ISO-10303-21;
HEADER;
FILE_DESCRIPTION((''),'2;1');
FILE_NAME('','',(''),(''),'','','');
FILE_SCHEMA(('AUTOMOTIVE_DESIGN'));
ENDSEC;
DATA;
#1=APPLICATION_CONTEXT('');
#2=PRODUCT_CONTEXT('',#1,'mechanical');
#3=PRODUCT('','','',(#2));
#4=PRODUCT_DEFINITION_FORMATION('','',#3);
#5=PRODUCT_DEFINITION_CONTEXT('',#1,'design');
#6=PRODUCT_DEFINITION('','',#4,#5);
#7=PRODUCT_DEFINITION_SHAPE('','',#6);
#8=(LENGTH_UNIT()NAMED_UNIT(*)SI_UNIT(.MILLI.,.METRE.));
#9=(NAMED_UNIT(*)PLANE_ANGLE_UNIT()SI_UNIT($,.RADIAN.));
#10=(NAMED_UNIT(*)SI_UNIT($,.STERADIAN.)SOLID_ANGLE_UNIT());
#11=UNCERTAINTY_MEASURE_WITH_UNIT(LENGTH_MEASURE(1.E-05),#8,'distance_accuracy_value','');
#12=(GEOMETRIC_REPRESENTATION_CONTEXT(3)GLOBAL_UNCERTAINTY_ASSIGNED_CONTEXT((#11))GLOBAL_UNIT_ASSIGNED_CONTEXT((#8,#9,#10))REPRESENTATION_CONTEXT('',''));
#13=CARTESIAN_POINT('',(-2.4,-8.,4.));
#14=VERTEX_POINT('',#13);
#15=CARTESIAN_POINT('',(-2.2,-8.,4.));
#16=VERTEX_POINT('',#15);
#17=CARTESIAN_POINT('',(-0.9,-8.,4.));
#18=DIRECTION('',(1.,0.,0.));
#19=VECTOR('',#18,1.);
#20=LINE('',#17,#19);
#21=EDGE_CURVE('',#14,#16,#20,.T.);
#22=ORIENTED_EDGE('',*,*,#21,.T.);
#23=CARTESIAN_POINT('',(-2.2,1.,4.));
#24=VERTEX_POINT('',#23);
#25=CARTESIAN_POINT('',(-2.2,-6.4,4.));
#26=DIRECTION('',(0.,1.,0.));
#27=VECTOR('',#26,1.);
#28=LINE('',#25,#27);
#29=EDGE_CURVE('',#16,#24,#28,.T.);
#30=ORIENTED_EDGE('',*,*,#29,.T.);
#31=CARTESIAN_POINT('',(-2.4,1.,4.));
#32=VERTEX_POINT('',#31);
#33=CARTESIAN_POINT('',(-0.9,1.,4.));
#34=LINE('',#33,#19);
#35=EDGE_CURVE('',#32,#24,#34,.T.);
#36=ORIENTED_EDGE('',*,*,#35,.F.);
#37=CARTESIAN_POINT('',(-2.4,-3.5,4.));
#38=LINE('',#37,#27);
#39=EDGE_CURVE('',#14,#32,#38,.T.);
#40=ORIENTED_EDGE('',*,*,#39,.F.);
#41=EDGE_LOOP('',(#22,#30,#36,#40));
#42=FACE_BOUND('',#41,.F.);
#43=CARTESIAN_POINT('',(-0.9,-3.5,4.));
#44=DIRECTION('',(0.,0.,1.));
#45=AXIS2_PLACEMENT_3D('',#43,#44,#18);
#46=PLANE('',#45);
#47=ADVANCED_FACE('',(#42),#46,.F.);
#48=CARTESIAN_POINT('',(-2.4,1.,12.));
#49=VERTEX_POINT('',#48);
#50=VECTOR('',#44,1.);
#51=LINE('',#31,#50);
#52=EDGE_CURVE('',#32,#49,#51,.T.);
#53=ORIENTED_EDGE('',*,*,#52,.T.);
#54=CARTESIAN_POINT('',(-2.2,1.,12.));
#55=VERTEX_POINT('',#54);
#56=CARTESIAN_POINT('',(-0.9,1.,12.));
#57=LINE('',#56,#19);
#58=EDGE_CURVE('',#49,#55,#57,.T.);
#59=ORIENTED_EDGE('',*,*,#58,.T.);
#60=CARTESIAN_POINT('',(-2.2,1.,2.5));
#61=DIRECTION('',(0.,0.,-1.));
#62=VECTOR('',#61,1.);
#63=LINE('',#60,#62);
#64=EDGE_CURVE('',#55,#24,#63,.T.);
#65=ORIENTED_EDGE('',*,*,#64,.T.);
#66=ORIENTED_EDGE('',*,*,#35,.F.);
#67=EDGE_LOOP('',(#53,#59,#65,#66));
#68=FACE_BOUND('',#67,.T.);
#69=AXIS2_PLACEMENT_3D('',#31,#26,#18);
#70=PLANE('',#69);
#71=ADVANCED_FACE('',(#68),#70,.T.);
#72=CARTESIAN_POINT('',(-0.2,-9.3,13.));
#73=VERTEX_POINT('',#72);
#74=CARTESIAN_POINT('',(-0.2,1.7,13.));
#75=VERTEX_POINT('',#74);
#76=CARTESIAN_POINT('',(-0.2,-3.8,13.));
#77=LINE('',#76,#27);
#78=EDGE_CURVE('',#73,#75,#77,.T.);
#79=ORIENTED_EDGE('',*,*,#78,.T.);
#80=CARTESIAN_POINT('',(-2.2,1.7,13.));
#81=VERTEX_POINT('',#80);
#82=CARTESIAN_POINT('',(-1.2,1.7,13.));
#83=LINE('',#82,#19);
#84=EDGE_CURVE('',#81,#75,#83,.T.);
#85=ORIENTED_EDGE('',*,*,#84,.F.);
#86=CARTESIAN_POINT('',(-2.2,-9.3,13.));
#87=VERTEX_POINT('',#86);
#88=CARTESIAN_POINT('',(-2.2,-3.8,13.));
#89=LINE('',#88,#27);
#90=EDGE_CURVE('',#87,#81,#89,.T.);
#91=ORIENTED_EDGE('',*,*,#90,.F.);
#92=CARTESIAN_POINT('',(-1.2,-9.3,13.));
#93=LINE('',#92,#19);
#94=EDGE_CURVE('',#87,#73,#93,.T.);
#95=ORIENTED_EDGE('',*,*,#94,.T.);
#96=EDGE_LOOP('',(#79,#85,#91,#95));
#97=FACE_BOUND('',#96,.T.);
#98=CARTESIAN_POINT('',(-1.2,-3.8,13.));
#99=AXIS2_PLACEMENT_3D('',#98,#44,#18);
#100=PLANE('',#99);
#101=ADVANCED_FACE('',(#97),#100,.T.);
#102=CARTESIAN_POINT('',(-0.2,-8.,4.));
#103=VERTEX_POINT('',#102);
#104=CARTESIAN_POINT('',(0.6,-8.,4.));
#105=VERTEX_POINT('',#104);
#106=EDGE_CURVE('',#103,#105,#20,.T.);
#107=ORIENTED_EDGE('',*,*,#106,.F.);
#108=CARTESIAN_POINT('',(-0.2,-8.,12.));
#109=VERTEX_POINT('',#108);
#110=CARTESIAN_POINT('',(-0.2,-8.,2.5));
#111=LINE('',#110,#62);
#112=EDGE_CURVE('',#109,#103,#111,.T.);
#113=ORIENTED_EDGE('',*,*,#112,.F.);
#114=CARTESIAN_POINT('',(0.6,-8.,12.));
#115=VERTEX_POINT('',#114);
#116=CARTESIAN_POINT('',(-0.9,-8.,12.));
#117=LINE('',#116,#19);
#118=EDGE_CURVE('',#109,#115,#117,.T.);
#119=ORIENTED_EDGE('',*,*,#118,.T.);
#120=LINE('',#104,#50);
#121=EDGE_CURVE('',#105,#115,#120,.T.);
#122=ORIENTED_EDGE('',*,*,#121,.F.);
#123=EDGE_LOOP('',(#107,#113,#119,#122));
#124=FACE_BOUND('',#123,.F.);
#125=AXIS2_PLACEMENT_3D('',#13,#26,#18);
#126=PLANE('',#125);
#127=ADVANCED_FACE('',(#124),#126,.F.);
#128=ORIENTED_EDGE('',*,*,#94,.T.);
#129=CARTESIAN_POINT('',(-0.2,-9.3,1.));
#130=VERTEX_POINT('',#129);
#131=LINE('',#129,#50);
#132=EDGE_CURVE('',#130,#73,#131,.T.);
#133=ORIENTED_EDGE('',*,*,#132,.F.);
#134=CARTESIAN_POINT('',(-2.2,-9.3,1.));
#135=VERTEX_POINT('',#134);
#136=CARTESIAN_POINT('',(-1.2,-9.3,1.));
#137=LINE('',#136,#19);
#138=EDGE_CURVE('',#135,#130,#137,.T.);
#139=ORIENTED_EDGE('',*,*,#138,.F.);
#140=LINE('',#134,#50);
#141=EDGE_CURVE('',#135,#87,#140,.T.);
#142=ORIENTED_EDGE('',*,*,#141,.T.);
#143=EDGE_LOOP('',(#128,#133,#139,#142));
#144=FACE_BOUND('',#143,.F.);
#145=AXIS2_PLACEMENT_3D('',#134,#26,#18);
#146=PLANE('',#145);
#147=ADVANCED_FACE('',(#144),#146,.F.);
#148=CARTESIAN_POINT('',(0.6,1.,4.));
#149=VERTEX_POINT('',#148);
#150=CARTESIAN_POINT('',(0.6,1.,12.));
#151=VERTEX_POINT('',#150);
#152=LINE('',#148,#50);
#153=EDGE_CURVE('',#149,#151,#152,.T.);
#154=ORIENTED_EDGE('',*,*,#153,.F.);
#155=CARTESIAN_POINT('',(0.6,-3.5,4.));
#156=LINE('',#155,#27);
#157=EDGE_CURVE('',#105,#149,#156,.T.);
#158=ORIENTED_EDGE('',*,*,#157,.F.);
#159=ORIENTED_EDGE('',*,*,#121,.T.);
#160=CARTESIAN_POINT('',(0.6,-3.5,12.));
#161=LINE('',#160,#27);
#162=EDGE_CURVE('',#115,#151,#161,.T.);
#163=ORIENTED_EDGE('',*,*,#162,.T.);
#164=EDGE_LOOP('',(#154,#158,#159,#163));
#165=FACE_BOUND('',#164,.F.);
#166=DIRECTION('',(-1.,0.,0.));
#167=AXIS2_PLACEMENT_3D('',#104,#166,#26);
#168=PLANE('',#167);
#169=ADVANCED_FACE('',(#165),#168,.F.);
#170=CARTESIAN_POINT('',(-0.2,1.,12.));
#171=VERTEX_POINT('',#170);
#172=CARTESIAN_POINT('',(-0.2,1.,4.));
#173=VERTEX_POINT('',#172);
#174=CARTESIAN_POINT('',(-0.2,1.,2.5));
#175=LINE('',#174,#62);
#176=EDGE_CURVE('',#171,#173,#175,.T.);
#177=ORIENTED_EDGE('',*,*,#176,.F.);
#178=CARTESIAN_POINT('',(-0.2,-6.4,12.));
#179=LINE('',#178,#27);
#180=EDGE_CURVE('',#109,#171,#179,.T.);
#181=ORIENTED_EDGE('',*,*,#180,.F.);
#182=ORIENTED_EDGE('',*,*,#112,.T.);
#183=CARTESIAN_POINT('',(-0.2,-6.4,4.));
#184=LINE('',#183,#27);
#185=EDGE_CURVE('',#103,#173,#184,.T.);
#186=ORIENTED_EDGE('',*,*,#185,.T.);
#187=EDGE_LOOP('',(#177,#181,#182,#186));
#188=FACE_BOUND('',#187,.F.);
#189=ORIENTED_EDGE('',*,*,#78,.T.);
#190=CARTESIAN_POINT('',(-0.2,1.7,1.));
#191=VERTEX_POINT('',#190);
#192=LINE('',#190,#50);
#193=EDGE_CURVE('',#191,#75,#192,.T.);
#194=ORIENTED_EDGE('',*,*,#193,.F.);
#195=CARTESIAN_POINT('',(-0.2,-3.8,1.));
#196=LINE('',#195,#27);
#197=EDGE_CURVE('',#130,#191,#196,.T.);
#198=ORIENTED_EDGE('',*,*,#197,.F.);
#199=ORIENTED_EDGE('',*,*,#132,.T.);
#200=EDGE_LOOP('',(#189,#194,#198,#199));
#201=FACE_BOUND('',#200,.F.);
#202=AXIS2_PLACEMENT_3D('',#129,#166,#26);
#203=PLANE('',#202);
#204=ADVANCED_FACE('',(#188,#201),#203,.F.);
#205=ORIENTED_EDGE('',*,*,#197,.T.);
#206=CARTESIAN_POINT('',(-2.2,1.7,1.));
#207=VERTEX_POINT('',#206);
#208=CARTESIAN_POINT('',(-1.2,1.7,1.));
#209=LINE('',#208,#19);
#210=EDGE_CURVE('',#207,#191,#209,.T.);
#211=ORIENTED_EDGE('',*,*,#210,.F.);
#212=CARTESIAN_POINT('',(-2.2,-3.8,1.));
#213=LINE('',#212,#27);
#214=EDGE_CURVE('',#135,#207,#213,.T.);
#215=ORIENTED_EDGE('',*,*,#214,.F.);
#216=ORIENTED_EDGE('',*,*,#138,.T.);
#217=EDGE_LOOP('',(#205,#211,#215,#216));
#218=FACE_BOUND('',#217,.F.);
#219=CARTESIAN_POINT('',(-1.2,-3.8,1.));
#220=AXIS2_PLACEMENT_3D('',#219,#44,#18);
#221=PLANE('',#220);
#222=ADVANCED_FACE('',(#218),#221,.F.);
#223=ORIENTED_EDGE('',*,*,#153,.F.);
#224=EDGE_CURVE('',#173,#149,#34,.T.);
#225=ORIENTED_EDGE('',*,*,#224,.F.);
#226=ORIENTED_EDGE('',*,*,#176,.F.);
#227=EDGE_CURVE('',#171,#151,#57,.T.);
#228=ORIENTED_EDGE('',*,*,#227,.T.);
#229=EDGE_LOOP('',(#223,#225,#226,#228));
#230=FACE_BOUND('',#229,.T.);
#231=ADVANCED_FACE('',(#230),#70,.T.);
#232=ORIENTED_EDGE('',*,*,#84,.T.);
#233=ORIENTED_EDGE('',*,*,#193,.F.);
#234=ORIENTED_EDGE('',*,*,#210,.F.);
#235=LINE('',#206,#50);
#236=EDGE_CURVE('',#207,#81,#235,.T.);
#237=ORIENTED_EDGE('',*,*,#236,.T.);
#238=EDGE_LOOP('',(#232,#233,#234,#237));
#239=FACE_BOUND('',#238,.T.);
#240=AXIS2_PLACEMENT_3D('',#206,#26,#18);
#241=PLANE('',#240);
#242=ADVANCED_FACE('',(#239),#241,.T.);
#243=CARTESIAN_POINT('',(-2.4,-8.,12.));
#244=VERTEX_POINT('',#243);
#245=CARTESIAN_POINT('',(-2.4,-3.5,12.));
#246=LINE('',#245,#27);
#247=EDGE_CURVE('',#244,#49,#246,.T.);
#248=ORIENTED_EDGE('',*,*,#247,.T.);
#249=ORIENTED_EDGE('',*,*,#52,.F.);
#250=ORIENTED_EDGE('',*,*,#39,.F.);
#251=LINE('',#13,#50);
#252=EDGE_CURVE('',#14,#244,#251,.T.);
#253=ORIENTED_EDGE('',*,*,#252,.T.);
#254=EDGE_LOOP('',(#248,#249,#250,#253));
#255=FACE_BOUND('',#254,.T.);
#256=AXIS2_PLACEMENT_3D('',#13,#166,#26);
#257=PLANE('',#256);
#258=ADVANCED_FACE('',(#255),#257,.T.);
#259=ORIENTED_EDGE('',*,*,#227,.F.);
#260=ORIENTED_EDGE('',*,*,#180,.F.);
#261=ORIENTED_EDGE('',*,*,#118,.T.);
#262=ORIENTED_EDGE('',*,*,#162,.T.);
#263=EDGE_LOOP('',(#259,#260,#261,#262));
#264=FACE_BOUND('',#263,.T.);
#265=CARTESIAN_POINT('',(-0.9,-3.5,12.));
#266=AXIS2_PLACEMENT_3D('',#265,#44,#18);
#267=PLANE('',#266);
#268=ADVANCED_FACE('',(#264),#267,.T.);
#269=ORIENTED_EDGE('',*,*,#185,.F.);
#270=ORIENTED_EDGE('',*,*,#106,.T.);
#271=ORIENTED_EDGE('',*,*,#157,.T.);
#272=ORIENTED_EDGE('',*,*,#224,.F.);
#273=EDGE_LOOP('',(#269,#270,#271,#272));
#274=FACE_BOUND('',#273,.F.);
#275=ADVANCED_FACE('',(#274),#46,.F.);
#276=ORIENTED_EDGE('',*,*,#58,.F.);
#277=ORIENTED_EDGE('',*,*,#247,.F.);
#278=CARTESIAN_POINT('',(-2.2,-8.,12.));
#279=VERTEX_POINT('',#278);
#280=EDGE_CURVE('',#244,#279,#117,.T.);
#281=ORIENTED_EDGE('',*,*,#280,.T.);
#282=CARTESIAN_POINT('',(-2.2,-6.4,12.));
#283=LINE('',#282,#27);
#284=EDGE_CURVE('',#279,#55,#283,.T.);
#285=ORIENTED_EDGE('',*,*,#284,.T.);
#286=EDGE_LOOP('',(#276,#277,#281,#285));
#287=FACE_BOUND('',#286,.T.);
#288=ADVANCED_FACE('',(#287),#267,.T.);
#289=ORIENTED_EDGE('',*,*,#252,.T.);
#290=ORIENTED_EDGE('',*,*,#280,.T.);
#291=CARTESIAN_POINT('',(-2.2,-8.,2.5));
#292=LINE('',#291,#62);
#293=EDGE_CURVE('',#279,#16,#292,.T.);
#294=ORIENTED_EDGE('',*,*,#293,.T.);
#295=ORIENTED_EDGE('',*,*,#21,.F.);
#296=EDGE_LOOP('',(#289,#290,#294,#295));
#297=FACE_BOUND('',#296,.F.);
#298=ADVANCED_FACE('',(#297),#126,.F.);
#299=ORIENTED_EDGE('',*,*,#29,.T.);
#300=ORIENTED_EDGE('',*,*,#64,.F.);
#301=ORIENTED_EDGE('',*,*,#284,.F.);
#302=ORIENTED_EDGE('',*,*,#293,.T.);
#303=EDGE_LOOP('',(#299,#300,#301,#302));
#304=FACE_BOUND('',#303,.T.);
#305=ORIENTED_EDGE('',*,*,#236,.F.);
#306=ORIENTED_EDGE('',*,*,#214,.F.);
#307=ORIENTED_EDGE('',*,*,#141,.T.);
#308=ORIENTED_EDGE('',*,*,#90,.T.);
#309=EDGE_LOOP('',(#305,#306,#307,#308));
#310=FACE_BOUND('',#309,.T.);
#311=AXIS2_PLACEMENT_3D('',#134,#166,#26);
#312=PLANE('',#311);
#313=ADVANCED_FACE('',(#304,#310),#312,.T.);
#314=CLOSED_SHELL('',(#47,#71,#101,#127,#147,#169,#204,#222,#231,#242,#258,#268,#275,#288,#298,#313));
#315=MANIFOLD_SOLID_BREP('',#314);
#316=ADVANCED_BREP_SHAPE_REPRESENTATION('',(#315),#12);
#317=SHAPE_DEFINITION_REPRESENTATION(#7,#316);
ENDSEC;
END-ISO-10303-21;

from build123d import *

# Parameters (mm, degrees)
BOX034_W     = 3
BOX034_H     = 9
BOX034_DEPTH = 8
BOX038_W     = 2
BOX038_H     = 11
BOX038_DEPTH = 12


with BuildPart() as kub030:
    # Box034 → Box034 (new body)
    with BuildSketch(Plane(origin=(-2.4, -8, 4), x_dir=(1, 0, 0), z_dir=(0, 0, 1))):
        with Locations((1.5, 4.5)):
            Rectangle(BOX034_W, BOX034_H)
    extrude(amount=BOX034_DEPTH)


with BuildPart() as inside:
    # Box038 → Box038 (new body)
    with BuildSketch(Plane(origin=(-2.2, -9.3, 1), x_dir=(1, 0, 0), z_dir=(0, 0, 1))):
        with Locations((1, 5.5)):
            Rectangle(BOX038_W, BOX038_H)
    extrude(amount=BOX038_DEPTH)

    # Fusion007: union Kub030
    add(kub030.part)


solid = inside.part
